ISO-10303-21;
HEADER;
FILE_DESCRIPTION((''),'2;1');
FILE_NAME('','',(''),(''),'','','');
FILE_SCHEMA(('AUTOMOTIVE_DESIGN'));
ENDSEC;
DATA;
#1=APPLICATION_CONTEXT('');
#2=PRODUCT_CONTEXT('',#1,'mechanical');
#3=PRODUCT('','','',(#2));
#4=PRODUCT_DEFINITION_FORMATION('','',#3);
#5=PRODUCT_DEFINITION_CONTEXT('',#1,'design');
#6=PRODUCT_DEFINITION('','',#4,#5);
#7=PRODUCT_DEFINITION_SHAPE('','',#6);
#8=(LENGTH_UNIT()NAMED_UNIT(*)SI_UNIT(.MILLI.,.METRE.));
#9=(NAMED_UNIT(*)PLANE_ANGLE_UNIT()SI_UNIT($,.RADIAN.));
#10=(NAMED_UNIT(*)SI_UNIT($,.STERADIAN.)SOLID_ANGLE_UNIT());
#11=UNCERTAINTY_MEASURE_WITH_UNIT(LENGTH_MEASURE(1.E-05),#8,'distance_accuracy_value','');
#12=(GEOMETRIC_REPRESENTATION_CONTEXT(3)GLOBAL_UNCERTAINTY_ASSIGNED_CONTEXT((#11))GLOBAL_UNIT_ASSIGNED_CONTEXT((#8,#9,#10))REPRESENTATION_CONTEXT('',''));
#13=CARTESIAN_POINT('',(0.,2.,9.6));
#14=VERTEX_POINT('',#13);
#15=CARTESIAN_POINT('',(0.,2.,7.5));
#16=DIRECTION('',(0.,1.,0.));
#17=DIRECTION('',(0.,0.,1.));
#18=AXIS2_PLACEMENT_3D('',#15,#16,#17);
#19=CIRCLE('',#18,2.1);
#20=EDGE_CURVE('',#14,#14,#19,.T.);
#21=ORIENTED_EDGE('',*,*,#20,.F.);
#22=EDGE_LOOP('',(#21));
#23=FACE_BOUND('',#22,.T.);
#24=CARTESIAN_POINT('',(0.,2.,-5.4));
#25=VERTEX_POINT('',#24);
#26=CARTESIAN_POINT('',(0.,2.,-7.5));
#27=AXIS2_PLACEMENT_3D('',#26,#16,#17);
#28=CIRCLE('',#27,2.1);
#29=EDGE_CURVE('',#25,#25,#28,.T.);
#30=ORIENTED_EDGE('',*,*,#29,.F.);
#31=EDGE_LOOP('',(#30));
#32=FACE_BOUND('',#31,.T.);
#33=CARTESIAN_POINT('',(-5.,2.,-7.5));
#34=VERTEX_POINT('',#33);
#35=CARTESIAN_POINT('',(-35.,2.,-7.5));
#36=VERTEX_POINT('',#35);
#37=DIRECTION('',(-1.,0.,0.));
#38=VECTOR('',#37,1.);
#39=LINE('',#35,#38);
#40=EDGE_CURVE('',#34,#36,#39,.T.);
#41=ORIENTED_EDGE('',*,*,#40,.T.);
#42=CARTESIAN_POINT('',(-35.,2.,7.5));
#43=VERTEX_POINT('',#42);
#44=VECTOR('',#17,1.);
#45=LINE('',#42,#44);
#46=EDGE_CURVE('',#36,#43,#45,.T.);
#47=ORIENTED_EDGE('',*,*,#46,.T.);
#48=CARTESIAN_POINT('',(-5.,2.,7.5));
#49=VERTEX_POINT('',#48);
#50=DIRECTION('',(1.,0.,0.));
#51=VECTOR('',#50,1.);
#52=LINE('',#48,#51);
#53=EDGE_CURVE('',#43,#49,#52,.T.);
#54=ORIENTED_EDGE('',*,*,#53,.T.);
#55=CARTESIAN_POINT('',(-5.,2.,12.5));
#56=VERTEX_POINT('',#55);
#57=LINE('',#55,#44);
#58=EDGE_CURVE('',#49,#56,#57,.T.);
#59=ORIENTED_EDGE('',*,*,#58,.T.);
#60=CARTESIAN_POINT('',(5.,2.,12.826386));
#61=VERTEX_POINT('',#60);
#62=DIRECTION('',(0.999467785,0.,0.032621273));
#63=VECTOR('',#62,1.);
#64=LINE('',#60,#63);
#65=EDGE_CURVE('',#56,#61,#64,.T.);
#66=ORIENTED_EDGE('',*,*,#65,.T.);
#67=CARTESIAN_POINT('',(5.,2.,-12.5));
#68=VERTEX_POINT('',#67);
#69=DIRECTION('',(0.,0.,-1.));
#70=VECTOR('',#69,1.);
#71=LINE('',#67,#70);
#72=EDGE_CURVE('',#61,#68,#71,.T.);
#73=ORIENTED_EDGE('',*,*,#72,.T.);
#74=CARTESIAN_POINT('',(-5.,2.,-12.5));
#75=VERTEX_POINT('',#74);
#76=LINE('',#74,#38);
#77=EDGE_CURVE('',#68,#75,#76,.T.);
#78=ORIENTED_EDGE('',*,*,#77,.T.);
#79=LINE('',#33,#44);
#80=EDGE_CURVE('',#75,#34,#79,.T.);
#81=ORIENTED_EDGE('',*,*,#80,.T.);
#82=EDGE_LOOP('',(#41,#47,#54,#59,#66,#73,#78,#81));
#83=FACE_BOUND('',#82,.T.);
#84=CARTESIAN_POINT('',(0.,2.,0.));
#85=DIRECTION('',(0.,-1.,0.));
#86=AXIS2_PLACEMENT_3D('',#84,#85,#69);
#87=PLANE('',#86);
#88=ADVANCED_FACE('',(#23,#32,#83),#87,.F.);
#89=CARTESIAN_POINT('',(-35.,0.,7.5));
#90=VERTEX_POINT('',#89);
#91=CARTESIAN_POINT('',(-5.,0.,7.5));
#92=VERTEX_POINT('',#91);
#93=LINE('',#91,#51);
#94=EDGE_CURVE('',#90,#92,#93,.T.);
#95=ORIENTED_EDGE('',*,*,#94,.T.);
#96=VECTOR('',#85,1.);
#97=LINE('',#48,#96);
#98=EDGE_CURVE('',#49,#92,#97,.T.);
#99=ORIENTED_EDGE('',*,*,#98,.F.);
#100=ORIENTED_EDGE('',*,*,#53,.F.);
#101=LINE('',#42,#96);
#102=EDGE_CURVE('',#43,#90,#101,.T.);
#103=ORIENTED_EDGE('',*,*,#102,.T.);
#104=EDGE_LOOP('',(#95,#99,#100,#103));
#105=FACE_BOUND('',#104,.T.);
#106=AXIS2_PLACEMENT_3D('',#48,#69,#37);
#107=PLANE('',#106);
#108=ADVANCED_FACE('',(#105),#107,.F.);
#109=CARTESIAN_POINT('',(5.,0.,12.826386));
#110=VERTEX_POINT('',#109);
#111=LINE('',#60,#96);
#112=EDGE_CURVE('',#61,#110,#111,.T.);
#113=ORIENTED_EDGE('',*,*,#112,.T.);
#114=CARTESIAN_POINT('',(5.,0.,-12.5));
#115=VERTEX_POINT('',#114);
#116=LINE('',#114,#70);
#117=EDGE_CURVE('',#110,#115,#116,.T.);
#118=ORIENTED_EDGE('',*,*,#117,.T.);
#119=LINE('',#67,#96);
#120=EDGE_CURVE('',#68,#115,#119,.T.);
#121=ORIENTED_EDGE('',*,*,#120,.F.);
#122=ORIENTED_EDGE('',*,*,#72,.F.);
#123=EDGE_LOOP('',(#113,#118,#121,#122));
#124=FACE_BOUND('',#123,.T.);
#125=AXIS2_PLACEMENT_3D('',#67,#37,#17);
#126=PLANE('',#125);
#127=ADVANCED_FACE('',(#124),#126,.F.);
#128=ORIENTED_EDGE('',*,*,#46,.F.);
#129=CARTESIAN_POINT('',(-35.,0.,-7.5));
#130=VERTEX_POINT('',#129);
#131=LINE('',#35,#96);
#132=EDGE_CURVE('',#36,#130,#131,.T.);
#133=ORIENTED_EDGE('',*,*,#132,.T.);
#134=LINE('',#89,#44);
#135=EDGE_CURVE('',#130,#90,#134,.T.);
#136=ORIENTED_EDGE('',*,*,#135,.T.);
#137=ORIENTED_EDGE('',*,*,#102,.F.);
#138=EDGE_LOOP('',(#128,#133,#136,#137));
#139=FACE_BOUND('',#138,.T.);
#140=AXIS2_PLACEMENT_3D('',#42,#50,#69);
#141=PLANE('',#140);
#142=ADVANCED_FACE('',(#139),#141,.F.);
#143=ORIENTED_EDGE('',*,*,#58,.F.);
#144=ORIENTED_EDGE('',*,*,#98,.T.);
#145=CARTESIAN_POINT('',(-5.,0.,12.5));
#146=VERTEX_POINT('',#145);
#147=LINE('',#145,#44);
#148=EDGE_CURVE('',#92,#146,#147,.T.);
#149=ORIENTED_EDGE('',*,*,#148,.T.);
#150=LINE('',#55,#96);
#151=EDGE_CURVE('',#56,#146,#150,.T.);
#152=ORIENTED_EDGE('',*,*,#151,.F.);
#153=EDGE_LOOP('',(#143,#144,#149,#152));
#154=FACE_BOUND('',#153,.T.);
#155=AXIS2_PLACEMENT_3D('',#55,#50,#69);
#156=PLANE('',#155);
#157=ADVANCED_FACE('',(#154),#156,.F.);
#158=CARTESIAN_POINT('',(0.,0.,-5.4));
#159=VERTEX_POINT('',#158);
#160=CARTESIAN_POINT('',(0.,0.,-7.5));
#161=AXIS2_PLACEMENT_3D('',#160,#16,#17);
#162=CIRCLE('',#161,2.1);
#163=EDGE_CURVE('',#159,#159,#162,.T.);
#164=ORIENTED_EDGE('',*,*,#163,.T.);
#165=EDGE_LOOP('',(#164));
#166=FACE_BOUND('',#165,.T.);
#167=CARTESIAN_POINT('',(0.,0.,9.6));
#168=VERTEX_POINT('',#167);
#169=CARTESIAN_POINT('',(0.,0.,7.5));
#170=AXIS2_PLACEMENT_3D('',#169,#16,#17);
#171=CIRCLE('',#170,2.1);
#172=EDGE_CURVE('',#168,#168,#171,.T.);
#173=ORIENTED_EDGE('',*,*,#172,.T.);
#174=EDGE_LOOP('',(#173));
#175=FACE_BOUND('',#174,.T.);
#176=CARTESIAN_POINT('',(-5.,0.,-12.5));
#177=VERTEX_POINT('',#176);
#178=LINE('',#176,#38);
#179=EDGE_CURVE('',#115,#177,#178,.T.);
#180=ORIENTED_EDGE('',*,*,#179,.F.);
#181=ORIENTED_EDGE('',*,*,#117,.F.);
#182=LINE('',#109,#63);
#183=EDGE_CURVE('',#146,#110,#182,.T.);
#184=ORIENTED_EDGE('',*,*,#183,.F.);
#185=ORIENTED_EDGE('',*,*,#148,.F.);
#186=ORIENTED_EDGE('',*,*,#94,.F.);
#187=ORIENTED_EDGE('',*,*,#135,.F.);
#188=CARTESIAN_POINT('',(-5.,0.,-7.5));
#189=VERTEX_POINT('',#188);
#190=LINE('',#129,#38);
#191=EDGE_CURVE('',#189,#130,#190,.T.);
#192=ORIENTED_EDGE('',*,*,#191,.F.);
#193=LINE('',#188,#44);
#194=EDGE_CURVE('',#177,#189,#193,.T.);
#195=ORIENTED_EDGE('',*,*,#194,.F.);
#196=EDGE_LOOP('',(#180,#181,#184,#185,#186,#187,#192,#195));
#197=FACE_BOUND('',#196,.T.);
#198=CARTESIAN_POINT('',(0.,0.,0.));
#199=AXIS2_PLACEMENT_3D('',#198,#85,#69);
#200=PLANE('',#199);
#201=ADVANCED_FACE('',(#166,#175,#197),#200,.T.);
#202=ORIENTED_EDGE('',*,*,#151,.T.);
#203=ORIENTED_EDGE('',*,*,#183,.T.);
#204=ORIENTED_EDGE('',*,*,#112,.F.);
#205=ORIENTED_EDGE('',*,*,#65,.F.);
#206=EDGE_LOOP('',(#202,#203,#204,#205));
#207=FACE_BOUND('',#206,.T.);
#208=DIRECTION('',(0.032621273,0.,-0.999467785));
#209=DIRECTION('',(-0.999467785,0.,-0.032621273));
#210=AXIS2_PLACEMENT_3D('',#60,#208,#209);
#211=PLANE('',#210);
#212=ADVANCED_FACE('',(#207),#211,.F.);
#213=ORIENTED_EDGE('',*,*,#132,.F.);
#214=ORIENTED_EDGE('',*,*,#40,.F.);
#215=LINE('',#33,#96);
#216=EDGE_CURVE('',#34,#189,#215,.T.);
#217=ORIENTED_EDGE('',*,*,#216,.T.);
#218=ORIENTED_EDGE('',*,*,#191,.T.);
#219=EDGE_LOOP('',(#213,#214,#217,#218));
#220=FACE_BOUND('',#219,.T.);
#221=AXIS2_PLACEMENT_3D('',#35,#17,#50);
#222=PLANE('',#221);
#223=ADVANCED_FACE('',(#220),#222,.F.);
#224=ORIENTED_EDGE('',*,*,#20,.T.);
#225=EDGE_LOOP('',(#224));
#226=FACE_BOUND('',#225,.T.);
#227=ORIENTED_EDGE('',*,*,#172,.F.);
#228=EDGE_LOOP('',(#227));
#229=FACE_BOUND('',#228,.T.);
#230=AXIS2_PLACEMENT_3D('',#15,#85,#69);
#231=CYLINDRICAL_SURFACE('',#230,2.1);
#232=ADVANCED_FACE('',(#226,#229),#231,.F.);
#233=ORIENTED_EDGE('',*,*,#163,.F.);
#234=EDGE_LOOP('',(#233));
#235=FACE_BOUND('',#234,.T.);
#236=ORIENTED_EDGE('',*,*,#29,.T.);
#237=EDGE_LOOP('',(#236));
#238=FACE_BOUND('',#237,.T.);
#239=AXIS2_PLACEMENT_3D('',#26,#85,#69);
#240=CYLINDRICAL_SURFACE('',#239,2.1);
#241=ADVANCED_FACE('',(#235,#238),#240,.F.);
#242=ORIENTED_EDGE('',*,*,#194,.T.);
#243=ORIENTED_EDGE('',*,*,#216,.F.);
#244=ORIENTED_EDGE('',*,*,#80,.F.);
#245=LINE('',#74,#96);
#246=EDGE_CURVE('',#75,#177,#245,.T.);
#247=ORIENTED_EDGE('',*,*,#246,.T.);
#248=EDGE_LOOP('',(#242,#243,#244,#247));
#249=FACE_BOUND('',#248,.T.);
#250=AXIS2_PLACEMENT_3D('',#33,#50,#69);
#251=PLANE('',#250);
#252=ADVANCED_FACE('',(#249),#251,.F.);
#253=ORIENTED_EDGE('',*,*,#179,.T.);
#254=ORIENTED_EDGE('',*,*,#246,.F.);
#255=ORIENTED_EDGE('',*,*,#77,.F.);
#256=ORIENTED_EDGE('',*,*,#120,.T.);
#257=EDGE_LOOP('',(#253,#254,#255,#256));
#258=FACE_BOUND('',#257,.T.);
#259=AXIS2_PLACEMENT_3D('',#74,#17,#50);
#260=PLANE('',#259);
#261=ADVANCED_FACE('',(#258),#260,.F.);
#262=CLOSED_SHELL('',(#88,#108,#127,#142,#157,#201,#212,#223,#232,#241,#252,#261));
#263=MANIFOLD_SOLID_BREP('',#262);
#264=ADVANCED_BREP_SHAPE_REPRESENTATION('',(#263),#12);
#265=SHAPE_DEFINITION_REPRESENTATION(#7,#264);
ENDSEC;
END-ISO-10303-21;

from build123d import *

# Parameters (mm, degrees)
SKETCH_1_R      = 2.1
EXTRUDE_1_DEPTH = 2


with BuildPart() as part:
    # 草图1 → 凸台-拉伸1 (new body)
    with BuildSketch(Plane(origin=(0, 0, 0), x_dir=(1, 0, 0), z_dir=(0, 1, 0))):
        Polygon((-5, 12.5), (5, 12.5), (5, -12.826386435), (-5, -12.5), (-5, -7.5), (-35, -7.5), (-35, 7.5), (-5, 7.5), align=None)
        with Locations(Location((0, 7.5, 0), (0, 0, 270))):
            Circle(SKETCH_1_R, mode=Mode.SUBTRACT)
        with Locations(Location((0, -7.5, 0), (0, 0, 270))):
            Circle(SKETCH_1_R, mode=Mode.SUBTRACT)
    extrude(amount=EXTRUDE_1_DEPTH)


solid = part.part
